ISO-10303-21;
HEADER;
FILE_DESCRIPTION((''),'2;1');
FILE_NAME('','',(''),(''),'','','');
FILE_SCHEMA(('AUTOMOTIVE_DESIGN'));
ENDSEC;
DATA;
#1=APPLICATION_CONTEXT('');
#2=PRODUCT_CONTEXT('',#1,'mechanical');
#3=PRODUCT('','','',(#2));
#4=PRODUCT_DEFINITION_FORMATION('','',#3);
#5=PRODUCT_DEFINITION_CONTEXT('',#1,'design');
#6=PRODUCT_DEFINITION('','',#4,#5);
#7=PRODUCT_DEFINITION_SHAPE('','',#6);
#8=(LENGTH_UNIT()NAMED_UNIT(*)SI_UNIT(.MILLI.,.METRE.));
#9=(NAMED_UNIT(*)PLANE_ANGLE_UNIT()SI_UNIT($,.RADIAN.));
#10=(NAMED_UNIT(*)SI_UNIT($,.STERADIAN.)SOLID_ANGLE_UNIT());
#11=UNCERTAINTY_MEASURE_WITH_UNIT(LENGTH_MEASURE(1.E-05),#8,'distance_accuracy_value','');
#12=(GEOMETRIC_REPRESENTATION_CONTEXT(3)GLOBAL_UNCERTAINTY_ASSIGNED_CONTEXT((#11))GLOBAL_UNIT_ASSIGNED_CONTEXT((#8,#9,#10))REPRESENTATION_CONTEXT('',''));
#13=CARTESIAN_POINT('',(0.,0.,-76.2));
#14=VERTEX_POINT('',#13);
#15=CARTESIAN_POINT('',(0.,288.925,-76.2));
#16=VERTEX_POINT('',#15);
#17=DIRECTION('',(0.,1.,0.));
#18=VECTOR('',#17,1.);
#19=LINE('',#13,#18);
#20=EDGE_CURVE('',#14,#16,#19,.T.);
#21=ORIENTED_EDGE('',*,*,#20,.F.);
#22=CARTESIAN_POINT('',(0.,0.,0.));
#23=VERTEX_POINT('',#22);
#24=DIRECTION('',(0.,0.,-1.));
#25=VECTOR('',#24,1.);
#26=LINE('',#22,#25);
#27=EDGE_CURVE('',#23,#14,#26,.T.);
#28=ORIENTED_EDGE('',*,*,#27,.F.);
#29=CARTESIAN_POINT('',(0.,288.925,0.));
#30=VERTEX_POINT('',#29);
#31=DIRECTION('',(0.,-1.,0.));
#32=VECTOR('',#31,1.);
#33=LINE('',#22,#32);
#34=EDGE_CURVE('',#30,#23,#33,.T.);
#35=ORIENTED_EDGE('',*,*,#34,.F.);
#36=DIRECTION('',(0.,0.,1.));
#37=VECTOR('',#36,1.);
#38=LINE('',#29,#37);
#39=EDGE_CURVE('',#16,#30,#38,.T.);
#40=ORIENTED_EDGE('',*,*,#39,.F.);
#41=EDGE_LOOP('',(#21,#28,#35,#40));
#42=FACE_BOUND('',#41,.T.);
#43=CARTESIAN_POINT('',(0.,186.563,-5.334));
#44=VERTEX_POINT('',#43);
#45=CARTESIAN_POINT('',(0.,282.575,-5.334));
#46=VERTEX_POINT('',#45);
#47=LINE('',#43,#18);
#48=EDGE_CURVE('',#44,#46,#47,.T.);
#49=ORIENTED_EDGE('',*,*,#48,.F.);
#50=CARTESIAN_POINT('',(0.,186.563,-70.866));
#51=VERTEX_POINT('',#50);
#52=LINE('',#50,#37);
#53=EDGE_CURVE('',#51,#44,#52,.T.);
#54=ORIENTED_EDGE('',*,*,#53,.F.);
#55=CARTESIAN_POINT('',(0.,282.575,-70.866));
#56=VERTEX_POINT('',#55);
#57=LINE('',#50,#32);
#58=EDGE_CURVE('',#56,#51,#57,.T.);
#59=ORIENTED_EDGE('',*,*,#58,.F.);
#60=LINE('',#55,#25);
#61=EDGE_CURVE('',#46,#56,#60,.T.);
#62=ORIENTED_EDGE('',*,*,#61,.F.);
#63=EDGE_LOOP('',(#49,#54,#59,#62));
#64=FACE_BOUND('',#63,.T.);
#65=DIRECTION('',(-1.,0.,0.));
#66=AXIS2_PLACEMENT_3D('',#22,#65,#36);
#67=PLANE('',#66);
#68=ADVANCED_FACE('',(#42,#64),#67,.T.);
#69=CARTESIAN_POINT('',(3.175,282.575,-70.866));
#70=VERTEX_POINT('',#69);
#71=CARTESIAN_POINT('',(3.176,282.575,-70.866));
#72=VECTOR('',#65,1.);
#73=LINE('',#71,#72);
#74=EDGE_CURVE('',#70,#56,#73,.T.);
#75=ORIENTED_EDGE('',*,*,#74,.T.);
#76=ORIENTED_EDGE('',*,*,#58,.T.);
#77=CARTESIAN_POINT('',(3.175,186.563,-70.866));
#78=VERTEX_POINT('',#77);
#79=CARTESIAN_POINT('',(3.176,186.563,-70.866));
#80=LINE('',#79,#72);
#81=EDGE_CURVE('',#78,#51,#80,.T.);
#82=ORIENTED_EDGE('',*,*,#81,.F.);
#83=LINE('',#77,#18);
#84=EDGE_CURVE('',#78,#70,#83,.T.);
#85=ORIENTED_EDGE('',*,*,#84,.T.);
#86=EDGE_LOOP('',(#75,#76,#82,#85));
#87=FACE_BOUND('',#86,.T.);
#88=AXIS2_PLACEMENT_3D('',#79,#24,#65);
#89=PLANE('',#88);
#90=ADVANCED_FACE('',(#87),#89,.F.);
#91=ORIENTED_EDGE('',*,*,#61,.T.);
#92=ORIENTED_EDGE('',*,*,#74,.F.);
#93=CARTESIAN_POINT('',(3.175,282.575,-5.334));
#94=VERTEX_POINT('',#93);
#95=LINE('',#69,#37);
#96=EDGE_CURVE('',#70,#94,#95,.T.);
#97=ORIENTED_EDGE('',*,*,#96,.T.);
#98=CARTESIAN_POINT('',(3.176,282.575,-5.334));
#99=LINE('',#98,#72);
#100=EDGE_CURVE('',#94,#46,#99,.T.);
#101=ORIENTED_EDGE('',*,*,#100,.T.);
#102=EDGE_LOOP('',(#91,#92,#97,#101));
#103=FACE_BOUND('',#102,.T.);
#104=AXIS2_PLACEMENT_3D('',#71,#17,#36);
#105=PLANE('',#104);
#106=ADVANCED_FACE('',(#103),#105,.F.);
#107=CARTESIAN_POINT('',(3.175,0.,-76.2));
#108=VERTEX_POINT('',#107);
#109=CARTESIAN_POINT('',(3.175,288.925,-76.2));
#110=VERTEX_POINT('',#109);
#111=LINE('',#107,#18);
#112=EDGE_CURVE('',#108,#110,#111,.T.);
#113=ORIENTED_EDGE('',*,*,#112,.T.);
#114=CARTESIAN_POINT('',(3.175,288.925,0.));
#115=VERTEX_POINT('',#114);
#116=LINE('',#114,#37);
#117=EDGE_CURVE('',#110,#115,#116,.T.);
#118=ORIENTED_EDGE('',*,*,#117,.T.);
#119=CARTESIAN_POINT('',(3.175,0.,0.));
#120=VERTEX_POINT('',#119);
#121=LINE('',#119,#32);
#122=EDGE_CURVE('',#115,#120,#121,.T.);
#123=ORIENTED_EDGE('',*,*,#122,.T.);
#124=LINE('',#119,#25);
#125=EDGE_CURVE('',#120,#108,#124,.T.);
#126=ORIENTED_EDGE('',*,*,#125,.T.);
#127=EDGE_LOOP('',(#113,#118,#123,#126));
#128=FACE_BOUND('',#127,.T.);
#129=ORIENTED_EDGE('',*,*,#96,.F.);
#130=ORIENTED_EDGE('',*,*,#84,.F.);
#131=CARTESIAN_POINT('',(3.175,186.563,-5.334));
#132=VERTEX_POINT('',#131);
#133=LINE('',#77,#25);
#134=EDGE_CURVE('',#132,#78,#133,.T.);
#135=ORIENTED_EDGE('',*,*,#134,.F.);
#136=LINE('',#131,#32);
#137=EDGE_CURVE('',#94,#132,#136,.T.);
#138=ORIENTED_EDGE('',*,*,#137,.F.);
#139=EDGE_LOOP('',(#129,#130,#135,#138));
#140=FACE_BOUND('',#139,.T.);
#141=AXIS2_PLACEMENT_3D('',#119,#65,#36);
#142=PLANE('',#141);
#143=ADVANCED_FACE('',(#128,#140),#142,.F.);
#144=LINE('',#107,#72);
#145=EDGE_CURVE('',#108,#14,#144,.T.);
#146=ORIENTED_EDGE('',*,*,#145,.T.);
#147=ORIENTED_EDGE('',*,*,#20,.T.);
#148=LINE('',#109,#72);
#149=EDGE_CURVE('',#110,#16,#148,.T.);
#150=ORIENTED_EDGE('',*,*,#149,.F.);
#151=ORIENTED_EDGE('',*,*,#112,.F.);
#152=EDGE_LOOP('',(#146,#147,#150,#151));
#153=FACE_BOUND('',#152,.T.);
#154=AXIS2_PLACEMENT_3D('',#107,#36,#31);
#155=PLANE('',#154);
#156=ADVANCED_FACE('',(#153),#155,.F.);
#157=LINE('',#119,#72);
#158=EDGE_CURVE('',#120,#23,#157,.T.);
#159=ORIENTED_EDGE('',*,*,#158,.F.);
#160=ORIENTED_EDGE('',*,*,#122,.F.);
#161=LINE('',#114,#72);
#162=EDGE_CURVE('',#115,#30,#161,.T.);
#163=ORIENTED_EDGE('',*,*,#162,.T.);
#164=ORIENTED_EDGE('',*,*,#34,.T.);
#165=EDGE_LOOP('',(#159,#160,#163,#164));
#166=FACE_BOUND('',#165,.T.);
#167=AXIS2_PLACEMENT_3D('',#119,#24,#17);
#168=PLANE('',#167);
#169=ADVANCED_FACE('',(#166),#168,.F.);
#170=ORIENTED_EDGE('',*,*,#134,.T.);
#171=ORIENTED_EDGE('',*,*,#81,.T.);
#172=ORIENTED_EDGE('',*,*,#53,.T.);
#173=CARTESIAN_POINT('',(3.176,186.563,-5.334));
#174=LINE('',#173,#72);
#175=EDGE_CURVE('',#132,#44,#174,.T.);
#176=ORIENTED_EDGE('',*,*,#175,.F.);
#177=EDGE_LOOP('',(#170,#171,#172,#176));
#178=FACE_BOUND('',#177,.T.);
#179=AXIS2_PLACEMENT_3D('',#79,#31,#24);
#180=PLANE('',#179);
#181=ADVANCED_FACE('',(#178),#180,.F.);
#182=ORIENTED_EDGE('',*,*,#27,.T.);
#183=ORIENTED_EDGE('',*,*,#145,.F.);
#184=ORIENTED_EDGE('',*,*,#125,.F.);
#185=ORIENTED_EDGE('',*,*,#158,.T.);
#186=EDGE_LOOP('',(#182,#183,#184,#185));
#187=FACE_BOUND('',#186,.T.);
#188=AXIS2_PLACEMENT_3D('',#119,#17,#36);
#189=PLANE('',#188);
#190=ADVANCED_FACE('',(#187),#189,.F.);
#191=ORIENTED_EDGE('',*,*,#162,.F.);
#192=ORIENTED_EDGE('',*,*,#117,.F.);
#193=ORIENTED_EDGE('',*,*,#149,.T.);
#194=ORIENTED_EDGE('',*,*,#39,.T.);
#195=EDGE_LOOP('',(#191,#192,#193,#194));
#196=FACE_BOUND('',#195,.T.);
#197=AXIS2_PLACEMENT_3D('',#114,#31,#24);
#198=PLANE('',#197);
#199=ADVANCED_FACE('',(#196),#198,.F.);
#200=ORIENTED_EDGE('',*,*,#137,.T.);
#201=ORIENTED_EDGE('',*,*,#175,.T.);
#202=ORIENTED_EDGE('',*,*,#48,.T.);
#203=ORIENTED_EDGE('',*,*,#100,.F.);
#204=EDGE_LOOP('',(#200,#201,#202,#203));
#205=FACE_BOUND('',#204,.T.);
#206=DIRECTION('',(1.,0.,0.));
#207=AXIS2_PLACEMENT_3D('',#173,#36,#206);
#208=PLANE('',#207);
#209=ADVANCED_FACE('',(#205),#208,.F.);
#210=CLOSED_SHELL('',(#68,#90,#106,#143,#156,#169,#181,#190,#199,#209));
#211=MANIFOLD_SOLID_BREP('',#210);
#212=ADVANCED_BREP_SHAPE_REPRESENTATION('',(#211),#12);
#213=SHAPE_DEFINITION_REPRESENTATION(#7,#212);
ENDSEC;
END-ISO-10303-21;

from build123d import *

# Parameters (mm, degrees)
SKETCH1_W           = 76.2
SKETCH1_H           = 288.925
BOSS_EXTRUDE1_DEPTH = 3.175
CUT_EXTRUDE1_REACH  = 300.821
SKETCH2_W           = 65.532
SKETCH2_H           = 96.012


with BuildPart() as part:
    # Sketch1 → Boss-Extrude1 (new body)
    with BuildSketch(Plane(origin=(0, 0, 0), x_dir=(0, 0, -1), z_dir=(1, 0, 0))):
        with Locations((38.1, 144.4625)):
            Rectangle(SKETCH1_W, SKETCH1_H)
    extrude(amount=BOSS_EXTRUDE1_DEPTH)

    # Sketch2 → Cut-Extrude1 (cut, up to next)
    with BuildSketch(Plane.ZY, mode=Mode.PRIVATE) as cut_extrude1_sk1:
        with Locations((-38.1, 234.569)):
            Rectangle(SKETCH2_W, SKETCH2_H)
    cut_extrude1_tool1 = extrude(cut_extrude1_sk1.sketch, amount=-CUT_EXTRUDE1_REACH, mode=Mode.PRIVATE) & part.part
    add(cut_extrude1_tool1.solids().sort_by_distance((0, 234.569, -38.1))[0], mode=Mode.SUBTRACT)


solid = part.part
